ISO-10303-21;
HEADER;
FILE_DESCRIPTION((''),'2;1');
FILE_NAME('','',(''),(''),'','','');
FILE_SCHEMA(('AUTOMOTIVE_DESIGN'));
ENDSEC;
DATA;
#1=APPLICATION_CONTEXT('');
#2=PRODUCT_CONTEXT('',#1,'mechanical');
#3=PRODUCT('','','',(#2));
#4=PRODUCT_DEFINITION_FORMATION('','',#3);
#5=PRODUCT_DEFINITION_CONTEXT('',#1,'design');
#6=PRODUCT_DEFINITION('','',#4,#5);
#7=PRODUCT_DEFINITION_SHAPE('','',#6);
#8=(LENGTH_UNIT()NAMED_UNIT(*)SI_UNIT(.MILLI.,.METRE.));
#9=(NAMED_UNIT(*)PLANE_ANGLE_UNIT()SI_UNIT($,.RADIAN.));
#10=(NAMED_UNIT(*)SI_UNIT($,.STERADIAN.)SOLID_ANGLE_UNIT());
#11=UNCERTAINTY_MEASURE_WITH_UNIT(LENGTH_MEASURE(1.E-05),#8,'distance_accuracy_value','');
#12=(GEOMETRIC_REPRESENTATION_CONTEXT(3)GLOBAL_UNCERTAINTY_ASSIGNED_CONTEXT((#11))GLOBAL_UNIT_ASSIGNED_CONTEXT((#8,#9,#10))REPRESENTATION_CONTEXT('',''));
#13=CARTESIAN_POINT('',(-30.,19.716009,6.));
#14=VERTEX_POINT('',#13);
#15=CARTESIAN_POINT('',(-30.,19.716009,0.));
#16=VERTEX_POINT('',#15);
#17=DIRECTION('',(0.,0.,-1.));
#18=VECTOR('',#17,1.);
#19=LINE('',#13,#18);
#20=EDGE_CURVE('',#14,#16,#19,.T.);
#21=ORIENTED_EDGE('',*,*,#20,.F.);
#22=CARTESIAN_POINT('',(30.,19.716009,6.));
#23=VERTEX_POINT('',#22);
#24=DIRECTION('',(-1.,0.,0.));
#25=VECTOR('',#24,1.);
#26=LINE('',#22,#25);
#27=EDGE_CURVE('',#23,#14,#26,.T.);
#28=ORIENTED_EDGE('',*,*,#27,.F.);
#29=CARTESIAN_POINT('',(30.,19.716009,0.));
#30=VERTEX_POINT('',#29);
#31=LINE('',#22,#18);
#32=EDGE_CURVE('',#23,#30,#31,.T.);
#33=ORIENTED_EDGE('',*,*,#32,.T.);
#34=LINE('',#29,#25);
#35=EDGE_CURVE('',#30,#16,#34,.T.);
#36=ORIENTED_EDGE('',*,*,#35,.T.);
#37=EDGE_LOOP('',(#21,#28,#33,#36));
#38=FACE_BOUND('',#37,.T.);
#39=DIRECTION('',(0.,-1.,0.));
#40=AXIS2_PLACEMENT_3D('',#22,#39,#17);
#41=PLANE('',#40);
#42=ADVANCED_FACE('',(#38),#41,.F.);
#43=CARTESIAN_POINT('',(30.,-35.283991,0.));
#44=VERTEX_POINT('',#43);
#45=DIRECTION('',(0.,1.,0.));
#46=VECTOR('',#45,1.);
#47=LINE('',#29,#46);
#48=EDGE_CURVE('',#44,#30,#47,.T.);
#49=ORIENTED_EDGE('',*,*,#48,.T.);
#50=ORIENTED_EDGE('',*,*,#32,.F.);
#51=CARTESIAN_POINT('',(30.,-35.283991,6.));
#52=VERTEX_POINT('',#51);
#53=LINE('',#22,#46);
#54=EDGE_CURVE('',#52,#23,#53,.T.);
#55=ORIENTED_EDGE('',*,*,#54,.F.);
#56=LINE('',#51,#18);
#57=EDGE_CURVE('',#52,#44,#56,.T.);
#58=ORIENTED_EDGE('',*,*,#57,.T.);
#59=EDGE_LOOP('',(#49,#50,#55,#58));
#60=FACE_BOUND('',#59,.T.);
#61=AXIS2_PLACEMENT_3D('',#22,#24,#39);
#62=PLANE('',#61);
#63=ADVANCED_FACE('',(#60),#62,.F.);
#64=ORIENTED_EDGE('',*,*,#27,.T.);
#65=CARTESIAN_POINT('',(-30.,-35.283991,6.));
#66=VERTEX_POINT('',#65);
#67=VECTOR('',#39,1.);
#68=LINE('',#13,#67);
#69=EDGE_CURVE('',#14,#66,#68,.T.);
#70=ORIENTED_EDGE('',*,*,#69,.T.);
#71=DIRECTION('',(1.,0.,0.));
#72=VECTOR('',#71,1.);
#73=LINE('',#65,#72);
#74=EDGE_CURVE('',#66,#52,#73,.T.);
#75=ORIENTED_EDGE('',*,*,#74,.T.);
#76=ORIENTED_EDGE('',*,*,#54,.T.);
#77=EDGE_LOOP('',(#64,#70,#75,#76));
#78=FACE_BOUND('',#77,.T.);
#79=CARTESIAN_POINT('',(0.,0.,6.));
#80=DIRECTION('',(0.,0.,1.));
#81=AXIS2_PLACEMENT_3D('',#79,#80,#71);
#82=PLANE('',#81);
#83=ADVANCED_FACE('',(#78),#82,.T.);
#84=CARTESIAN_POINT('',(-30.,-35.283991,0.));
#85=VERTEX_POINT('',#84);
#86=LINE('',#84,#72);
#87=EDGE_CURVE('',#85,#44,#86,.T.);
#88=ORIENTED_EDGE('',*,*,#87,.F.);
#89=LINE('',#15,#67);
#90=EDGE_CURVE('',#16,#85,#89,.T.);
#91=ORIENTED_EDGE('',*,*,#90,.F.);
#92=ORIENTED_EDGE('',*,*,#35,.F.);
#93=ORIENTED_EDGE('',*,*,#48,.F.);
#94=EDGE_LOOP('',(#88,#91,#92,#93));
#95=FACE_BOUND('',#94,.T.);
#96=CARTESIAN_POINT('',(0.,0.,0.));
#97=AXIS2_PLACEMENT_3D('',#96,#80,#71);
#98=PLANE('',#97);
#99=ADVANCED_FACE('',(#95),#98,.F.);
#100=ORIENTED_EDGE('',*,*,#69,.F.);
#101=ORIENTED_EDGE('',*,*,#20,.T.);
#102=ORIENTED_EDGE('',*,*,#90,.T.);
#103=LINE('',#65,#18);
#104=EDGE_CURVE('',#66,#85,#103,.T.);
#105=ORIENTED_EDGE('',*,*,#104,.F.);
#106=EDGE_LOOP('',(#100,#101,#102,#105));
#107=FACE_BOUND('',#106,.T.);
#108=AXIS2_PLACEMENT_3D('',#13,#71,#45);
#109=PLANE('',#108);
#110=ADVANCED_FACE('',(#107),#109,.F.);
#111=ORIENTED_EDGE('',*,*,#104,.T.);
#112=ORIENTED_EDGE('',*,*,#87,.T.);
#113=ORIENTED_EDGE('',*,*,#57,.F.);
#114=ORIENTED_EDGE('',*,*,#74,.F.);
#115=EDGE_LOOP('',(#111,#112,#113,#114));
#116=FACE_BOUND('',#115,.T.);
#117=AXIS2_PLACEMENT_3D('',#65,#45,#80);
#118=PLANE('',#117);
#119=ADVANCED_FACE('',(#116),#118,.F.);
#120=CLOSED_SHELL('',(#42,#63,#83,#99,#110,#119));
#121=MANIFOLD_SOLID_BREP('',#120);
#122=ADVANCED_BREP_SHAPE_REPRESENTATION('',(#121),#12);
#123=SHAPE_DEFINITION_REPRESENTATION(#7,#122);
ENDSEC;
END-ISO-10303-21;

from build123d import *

# Parameters (mm, degrees)
SKETCH1_W           = 60
SKETCH1_H           = 55
BOSS_EXTRUDE1_DEPTH = 6


with BuildPart() as part:
    # Sketch1 → Boss-Extrude1 (new body)
    with BuildSketch(Plane.XY):
        with Locations((0, -7.783990534)):
            Rectangle(SKETCH1_W, SKETCH1_H)
    extrude(amount=BOSS_EXTRUDE1_DEPTH)


solid = part.part
